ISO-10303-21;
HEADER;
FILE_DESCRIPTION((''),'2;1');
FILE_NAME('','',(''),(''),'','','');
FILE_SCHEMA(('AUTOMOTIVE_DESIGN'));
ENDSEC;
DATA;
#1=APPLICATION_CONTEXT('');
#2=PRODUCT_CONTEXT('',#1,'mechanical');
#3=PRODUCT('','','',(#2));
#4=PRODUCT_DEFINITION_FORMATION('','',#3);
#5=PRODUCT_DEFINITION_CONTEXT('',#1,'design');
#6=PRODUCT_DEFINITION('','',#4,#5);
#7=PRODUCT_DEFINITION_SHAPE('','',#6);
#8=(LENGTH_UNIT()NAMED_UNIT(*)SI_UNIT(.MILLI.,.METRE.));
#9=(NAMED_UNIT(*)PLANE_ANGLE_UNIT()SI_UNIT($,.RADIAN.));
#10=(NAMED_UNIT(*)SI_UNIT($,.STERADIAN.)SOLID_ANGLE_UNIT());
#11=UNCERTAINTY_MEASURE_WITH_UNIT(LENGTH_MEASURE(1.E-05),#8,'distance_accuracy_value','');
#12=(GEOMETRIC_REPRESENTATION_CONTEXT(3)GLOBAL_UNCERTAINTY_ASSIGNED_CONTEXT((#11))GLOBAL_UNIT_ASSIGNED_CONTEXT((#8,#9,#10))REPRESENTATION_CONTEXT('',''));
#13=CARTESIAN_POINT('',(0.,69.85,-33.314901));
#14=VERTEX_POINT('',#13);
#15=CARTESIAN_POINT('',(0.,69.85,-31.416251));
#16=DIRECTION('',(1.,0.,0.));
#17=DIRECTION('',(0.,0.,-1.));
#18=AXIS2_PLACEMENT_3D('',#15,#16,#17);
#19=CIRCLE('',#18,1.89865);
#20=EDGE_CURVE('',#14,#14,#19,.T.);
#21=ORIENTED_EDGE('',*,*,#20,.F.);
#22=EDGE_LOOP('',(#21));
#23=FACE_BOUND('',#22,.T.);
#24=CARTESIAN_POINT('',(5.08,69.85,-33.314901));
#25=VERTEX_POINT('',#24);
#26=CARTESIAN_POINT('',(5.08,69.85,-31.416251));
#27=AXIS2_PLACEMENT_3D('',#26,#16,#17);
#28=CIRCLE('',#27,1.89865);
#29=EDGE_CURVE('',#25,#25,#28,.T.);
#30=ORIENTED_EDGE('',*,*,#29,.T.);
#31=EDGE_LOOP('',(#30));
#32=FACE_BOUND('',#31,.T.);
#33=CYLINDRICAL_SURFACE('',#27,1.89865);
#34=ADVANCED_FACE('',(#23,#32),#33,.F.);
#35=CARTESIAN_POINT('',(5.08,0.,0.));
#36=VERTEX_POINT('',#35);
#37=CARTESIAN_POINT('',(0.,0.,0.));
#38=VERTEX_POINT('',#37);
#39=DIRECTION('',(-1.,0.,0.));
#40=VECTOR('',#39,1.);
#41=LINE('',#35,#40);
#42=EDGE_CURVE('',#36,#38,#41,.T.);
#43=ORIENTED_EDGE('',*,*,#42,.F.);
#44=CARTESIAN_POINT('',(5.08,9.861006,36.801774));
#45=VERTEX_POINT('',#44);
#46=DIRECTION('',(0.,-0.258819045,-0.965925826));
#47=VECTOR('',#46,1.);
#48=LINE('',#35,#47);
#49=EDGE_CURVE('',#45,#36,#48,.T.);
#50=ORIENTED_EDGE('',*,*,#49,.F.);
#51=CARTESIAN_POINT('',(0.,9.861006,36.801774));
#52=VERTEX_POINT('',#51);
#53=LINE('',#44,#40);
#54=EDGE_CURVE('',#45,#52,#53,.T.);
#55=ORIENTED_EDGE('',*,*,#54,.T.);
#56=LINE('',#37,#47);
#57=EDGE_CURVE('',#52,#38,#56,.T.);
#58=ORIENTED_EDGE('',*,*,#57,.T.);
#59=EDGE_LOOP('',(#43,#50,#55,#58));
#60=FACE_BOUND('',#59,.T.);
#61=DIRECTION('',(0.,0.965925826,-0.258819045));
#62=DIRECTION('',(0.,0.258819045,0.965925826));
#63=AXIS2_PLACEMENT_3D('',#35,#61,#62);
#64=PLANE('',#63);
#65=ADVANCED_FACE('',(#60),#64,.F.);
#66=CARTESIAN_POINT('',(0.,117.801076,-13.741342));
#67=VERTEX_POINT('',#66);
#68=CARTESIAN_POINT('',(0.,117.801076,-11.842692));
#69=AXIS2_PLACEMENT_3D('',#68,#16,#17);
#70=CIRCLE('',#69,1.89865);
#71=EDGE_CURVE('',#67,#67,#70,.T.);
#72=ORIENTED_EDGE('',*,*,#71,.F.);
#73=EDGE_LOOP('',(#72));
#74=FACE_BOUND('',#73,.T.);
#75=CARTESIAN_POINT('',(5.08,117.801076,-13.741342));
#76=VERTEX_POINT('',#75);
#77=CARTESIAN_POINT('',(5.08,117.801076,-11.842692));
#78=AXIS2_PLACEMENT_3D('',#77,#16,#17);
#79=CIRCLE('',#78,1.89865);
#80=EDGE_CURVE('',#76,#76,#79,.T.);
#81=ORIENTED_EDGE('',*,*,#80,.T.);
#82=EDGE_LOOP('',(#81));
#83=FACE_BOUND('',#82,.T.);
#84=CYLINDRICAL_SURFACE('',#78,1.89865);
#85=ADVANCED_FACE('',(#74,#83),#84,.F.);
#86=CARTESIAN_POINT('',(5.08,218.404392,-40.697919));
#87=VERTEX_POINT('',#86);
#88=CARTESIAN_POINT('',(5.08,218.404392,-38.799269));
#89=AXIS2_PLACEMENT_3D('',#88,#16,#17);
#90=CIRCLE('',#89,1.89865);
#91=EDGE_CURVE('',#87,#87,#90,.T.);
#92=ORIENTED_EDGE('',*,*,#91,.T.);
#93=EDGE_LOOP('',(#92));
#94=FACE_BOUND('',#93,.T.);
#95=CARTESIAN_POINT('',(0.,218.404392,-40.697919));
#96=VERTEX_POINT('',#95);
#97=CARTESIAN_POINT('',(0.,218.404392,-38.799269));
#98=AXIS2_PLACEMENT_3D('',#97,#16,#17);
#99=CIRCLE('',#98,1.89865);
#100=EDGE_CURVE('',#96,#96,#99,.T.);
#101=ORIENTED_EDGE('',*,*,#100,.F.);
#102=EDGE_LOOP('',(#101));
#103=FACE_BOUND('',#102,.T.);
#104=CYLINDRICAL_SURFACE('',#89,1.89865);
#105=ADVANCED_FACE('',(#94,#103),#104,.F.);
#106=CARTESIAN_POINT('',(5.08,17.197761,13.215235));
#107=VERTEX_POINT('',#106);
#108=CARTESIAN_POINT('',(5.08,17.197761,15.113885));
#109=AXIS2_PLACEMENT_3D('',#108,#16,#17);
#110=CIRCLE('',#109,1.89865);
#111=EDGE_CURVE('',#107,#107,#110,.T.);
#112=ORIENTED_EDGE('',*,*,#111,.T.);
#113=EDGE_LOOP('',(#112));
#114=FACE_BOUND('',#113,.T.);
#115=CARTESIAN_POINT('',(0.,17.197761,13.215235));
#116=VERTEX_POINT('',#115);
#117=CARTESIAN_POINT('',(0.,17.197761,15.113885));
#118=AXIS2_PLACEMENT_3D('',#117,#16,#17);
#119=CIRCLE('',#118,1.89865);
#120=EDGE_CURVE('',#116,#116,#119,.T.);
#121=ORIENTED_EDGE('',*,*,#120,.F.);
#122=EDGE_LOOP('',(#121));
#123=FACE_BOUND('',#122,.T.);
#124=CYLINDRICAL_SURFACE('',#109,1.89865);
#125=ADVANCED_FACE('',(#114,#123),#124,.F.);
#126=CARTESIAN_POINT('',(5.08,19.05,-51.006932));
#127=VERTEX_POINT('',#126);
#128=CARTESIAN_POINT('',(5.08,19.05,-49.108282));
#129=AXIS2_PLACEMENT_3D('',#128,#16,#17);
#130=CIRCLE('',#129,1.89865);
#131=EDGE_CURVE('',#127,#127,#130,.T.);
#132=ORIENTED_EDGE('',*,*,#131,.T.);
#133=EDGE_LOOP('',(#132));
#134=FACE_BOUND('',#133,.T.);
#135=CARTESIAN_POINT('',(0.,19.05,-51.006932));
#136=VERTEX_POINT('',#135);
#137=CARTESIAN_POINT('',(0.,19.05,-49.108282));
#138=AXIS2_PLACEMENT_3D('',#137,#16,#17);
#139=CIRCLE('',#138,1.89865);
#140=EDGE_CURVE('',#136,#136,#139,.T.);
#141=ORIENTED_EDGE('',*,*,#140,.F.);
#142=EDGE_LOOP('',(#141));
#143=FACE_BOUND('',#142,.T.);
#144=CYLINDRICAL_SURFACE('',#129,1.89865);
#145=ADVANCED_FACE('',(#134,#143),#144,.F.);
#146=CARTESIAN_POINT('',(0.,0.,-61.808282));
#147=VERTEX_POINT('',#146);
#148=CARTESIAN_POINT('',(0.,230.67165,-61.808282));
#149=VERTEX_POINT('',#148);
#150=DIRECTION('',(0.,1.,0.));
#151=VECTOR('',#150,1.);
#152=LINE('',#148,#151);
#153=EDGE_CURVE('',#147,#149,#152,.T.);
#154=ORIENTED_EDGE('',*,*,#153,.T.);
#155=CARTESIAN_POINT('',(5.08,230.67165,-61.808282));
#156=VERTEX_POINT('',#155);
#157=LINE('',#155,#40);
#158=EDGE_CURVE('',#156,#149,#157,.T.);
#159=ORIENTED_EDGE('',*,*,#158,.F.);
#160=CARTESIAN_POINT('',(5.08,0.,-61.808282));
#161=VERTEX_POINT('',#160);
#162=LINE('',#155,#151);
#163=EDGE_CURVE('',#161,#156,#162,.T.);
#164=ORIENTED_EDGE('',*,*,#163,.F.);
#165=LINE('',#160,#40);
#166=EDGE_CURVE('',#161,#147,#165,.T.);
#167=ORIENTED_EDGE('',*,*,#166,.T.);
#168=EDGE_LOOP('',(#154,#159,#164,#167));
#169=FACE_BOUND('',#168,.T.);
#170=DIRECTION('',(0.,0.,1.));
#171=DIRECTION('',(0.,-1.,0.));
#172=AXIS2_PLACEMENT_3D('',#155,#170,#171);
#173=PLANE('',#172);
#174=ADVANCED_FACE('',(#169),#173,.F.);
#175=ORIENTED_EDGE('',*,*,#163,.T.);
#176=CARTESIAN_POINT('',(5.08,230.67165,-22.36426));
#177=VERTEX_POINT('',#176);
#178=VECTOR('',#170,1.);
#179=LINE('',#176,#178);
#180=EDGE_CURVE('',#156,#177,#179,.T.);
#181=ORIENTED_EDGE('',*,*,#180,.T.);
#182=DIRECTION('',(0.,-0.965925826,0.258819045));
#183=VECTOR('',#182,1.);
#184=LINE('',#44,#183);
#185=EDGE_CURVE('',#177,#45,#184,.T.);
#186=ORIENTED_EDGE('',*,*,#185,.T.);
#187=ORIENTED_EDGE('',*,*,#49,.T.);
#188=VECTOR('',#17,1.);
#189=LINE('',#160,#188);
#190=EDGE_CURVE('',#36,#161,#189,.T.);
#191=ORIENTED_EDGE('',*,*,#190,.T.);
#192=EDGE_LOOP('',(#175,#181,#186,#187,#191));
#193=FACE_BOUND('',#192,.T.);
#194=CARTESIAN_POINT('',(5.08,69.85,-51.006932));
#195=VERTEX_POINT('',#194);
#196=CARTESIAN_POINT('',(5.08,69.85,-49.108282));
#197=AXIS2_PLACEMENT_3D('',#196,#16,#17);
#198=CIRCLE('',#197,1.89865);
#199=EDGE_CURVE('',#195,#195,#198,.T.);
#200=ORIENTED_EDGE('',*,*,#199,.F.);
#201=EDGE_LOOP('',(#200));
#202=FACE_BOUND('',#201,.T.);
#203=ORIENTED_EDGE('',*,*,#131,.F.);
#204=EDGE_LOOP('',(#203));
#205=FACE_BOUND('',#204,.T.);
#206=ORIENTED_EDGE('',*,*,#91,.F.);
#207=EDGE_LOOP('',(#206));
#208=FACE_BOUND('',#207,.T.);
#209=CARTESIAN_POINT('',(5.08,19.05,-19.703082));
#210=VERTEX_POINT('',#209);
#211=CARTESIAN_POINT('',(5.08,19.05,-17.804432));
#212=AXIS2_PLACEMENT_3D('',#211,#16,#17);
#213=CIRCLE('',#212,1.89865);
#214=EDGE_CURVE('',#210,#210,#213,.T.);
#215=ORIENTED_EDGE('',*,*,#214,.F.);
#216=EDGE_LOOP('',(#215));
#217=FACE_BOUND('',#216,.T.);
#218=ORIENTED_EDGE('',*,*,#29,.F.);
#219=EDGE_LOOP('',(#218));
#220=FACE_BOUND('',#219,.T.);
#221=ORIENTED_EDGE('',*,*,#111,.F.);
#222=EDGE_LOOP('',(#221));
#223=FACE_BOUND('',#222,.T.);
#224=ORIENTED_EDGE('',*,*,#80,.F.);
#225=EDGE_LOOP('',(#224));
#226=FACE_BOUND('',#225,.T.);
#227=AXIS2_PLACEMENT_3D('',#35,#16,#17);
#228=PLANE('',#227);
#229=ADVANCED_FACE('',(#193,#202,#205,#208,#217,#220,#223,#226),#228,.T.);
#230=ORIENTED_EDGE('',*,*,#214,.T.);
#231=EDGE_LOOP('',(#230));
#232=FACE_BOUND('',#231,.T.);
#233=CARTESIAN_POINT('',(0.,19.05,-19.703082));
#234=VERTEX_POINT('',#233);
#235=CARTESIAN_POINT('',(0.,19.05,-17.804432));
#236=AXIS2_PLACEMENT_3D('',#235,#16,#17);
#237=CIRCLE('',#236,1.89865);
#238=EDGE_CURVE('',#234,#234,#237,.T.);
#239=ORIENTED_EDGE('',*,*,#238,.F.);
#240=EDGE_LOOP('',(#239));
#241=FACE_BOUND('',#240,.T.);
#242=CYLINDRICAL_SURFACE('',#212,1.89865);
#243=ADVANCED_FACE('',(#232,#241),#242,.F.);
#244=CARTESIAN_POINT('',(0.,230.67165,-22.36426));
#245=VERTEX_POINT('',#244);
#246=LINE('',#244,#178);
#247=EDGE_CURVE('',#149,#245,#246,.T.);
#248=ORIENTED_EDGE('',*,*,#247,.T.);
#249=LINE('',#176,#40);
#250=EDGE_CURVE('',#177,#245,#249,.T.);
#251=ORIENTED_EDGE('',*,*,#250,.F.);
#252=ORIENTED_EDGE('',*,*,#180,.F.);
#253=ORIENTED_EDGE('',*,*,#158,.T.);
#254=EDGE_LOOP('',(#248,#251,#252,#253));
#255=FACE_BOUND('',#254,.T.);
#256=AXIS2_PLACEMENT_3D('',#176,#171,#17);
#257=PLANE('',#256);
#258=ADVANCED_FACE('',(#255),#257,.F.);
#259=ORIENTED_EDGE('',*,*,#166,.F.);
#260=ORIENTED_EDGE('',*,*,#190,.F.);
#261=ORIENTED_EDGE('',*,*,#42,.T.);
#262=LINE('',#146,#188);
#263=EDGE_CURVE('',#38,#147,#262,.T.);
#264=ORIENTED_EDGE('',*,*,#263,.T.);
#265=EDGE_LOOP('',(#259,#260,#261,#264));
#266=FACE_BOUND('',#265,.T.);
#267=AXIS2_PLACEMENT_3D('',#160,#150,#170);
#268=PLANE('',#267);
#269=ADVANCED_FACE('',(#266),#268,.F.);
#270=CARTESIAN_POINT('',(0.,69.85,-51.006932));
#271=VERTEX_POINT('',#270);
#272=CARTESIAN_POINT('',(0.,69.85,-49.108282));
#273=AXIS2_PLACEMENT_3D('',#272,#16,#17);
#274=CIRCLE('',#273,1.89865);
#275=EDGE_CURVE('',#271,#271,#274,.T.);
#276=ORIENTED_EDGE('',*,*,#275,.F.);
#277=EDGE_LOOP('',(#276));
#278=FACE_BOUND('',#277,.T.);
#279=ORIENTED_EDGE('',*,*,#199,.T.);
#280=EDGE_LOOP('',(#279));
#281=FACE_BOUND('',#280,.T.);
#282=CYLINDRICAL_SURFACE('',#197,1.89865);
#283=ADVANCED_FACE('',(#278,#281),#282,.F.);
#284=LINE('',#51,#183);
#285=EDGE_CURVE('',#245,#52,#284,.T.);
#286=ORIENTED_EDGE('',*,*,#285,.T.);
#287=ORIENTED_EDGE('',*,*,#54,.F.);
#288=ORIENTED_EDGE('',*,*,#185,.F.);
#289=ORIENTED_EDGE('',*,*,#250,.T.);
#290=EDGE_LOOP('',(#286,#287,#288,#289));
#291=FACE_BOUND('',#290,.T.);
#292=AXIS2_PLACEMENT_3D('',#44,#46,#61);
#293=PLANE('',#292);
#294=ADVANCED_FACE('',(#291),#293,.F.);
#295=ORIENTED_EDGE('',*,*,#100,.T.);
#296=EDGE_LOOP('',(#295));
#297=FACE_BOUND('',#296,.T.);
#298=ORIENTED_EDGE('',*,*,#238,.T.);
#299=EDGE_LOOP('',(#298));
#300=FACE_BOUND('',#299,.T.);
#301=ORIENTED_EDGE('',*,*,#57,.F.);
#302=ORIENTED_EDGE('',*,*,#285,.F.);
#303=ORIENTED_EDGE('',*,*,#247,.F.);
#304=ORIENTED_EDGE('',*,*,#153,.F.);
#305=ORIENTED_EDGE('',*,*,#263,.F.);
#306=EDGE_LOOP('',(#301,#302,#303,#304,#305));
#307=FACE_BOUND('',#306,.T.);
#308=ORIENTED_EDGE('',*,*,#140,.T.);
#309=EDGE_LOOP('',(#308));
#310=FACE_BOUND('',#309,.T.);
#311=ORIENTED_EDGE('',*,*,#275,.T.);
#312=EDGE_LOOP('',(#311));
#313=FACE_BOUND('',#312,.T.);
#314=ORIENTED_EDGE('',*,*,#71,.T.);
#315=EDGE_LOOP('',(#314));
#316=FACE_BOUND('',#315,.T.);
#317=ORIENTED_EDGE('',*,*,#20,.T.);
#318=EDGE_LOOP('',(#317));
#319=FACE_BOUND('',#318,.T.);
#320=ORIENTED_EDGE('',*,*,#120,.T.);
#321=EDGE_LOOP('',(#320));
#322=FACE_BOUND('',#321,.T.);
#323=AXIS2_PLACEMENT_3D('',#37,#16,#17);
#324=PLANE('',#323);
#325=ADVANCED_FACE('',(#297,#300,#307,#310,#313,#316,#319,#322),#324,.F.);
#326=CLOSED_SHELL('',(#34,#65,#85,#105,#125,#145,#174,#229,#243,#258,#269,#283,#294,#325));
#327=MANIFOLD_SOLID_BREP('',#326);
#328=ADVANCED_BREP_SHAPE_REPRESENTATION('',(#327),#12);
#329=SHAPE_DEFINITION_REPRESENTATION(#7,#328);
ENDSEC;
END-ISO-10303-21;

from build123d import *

# Parameters (mm, degrees)
BOSS_EXTRUDE1_DEPTH   = 5.08
F_6_CLEARANCE_HOLE1_D = 3.7973


with BuildPart() as part:
    # Sketch1 → Boss-Extrude1 (new body)
    with BuildSketch(Plane(origin=(0, 0, 0), x_dir=(0, 0, -1), z_dir=(1, 0, 0))):
        Polygon((0, 0), (-36.801773982, 9.861005618), (22.364259729, 230.671649508), (61.808282202, 230.671649508), (61.808282202, 0), align=None)
    extrude(amount=BOSS_EXTRUDE1_DEPTH)

    # #6 Clearance Hole1 (through all)
    with Locations(Plane(origin=(5.08, 0, 0), x_dir=(0, 0, -1), z_dir=(1, 0, 0))):
        with Locations((49.108282202, 69.85), (38.799269093, 218.404391514), (11.842691987, 117.801076159), (-15.113885118, 17.197760803), (49.108282202, 19.05), (17.804432116, 19.05), (31.416251091, 69.85)):
            Hole(F_6_CLEARANCE_HOLE1_D / 2)


solid = part.part
